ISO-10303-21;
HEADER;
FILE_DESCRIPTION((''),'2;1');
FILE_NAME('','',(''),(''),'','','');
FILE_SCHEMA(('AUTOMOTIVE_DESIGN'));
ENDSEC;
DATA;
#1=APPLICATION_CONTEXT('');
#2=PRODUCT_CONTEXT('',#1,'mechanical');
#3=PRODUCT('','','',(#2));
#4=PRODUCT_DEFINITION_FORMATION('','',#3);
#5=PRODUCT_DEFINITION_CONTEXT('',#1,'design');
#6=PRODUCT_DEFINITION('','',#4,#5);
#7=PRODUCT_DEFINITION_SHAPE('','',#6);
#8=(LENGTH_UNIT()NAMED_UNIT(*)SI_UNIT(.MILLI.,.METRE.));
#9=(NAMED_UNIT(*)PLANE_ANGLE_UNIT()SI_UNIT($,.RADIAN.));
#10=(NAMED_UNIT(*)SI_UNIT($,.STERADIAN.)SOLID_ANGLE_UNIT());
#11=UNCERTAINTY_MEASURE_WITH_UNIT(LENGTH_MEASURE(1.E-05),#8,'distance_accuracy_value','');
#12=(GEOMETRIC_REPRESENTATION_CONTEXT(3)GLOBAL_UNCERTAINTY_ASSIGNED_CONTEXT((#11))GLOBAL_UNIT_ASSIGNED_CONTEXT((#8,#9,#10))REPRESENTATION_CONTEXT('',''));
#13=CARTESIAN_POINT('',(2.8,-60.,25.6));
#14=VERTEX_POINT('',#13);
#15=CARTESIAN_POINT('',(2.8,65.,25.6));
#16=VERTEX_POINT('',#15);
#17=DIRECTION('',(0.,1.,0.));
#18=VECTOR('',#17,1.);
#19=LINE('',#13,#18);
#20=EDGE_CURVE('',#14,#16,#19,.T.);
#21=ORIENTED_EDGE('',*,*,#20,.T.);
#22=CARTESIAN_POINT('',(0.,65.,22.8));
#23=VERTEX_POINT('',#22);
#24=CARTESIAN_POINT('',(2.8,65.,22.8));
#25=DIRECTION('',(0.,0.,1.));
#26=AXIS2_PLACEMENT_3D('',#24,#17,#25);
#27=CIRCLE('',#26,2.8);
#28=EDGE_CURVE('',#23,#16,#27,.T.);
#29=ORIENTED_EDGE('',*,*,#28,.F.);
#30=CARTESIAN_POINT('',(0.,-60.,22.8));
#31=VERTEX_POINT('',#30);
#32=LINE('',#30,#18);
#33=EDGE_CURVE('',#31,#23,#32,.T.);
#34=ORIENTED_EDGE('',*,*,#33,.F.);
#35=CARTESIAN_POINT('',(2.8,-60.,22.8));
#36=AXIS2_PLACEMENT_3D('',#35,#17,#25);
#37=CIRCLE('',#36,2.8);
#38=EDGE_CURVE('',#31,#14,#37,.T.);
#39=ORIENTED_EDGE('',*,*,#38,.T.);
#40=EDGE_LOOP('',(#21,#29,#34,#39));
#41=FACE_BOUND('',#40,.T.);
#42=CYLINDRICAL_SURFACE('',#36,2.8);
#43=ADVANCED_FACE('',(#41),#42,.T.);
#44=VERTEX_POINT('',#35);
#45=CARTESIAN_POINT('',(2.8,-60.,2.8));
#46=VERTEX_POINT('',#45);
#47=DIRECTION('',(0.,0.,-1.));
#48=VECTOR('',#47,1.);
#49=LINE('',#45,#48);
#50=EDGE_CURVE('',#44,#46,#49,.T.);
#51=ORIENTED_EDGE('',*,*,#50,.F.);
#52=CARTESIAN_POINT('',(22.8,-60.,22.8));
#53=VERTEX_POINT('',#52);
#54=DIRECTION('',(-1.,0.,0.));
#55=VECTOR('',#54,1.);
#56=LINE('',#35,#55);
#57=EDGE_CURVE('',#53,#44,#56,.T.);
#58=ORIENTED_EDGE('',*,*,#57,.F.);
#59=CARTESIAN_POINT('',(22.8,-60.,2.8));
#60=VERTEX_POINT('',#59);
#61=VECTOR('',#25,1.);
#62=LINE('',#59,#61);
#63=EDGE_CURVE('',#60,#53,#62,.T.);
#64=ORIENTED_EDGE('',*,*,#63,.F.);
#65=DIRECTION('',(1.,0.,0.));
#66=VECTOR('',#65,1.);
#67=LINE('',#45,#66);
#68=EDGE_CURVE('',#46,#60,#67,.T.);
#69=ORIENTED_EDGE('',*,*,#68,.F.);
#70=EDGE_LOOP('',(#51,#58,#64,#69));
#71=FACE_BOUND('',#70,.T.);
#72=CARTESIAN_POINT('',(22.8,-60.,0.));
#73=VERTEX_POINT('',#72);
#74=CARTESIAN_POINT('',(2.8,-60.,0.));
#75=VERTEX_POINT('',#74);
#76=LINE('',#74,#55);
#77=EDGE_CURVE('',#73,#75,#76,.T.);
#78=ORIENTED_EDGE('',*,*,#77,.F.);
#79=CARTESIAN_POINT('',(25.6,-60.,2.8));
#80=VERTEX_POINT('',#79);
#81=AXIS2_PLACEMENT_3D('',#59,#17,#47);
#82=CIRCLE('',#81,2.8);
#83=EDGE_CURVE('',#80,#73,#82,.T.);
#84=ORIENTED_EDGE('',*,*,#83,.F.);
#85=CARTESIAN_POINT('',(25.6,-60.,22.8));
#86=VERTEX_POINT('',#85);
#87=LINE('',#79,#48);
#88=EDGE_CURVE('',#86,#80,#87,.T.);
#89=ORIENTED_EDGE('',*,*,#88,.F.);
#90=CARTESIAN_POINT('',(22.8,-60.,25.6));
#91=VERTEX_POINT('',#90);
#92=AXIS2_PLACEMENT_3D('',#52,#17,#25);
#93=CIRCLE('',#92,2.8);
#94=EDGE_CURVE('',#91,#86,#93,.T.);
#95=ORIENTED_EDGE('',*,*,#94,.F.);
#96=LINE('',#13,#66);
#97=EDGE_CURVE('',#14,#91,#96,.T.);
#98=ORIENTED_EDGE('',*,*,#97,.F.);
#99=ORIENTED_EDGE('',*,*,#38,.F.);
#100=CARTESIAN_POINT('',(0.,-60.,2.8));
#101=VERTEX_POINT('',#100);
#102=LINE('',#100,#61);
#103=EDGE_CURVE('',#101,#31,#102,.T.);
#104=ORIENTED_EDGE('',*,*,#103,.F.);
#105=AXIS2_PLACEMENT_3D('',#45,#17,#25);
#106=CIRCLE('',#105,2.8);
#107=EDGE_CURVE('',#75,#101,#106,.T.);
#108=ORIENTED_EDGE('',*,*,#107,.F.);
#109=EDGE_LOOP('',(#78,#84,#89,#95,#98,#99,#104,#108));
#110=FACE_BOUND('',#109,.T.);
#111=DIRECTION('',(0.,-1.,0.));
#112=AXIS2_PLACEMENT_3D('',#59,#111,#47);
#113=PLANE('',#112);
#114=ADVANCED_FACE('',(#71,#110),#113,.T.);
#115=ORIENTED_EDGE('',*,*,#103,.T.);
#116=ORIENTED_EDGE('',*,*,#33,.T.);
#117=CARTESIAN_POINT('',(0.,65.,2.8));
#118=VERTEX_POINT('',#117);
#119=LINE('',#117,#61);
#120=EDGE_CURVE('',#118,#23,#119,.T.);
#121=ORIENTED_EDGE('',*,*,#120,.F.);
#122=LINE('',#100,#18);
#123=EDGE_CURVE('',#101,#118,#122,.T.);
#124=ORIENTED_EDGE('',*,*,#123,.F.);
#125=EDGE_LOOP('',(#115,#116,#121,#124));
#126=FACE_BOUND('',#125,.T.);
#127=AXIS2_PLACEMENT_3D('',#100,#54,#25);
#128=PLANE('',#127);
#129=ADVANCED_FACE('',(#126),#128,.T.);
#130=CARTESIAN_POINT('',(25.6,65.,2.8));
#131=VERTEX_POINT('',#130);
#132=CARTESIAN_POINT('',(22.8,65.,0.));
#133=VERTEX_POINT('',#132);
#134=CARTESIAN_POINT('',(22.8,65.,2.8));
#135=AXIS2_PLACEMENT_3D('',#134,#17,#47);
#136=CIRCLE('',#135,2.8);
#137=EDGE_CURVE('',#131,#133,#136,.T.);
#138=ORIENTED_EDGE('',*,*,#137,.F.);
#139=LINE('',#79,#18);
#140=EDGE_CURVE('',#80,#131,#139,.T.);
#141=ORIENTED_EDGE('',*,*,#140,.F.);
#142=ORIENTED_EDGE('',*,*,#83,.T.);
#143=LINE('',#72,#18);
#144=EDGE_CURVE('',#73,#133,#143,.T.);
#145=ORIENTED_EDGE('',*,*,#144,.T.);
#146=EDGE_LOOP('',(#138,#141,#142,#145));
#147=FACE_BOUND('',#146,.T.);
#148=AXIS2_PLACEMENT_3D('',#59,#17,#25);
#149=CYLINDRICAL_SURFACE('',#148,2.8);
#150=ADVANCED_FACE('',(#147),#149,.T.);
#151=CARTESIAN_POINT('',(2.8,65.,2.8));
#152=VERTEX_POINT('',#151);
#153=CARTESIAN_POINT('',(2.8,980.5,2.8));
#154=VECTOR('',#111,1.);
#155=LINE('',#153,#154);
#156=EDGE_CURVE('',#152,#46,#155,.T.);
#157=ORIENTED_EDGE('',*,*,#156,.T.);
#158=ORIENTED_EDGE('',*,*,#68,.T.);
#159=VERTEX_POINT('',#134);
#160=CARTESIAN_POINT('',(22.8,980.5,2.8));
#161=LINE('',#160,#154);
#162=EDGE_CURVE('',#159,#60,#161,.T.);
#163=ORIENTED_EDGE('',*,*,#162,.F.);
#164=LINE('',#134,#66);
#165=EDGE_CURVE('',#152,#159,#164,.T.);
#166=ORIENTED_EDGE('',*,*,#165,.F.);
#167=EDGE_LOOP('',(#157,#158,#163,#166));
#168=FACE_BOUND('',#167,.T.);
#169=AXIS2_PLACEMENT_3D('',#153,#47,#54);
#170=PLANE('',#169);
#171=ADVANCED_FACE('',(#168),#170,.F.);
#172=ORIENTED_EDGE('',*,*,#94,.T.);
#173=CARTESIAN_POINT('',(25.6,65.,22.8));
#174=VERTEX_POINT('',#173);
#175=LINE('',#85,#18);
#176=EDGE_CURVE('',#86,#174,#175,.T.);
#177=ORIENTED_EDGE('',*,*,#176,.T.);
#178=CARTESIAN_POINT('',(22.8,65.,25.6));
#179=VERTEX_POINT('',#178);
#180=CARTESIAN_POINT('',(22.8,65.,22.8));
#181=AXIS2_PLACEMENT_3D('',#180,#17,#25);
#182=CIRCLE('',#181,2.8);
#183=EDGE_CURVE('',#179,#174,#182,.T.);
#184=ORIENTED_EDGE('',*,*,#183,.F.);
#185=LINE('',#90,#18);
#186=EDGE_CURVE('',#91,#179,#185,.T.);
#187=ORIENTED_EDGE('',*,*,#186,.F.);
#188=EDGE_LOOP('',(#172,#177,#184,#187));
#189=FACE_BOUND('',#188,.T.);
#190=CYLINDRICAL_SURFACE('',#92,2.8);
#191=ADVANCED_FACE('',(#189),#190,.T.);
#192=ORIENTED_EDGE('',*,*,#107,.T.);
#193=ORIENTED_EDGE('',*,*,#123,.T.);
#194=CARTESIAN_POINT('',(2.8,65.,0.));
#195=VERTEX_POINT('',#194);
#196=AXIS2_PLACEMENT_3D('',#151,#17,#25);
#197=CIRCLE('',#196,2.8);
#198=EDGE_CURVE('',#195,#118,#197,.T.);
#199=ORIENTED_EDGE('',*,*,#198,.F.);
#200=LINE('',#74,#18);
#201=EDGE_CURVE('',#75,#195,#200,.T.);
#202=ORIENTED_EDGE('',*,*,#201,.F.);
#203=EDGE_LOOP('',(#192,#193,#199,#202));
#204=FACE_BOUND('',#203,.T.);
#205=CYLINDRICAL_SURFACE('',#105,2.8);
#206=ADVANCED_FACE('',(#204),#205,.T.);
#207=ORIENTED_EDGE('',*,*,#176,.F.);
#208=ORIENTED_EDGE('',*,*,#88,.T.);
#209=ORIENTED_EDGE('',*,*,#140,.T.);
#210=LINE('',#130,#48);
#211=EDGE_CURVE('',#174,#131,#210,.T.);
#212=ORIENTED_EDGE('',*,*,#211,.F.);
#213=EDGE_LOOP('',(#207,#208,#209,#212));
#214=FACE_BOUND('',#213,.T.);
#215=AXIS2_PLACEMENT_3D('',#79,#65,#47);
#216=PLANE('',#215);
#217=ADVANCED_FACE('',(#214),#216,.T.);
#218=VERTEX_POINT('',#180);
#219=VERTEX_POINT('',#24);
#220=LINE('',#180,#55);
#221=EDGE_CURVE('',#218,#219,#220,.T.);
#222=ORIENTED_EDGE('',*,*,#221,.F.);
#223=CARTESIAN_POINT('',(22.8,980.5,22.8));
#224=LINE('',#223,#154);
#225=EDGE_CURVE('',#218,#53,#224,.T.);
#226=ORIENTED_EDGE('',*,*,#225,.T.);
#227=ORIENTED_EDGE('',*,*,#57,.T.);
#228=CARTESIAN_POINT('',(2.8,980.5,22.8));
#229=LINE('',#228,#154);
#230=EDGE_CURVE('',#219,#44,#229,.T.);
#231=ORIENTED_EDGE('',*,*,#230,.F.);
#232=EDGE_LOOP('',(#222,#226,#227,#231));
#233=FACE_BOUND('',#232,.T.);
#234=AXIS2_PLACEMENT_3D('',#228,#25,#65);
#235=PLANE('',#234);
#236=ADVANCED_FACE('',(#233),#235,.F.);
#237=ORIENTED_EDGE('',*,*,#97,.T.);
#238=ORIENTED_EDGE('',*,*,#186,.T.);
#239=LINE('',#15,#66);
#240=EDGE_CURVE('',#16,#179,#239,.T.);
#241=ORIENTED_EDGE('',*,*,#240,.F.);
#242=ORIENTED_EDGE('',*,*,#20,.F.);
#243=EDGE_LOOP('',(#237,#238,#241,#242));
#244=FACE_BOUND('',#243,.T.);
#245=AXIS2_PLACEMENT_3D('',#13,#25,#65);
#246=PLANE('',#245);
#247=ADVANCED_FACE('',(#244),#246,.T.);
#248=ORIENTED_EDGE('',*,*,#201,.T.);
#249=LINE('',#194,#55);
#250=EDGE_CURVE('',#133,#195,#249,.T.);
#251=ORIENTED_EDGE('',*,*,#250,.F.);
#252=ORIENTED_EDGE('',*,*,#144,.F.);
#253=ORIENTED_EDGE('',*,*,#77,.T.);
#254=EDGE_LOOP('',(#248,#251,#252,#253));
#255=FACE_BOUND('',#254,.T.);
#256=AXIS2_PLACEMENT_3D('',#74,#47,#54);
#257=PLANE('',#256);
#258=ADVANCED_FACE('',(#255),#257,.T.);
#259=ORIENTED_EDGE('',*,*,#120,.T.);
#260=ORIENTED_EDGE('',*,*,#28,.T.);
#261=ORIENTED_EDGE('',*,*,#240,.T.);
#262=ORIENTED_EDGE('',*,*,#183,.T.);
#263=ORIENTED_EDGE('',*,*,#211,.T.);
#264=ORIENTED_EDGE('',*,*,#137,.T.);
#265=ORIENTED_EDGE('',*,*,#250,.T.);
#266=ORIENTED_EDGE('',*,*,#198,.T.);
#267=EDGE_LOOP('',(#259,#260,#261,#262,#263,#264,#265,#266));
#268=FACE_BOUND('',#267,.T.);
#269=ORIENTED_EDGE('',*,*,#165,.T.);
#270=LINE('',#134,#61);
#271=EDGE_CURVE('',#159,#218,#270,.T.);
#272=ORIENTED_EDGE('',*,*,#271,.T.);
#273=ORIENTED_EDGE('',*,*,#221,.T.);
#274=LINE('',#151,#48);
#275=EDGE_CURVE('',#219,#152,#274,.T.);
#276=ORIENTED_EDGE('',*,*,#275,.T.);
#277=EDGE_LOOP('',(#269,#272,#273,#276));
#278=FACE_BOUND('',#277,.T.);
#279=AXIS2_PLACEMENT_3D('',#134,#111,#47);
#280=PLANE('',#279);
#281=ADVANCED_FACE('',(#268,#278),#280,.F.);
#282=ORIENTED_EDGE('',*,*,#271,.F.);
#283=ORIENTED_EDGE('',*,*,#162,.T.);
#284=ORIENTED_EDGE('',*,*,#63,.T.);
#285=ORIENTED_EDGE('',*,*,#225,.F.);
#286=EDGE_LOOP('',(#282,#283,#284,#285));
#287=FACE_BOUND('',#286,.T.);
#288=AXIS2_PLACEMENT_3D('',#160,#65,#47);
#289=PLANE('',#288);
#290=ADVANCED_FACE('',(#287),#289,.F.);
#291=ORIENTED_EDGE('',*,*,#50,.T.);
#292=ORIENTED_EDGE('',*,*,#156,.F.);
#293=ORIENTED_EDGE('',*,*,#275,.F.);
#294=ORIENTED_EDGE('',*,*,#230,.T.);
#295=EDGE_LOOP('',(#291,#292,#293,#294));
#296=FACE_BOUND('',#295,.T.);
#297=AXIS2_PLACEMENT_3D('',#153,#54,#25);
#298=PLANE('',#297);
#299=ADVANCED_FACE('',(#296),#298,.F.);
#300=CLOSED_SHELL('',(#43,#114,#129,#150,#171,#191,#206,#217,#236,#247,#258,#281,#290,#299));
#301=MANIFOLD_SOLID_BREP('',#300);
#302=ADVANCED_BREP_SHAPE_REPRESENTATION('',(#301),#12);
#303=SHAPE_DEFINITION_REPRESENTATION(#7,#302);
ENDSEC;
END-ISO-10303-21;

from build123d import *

# Parameters (mm, degrees)
BOSS_EXTRUDE1_DEPTH      = 65
BOSS_EXTRUDE1_DEPTH_BACK = 60
SKETCH3_W                = 20
SKETCH3_H                = 20
CUT_EXTRUDE1_DEPTH       = 1040.5


with BuildPart() as part:
    # Sketch1 → Boss-Extrude1 (new, two sides: drawn at the far end of the back side and taken through both)
    with BuildSketch(Plane(origin=(0, 0, 0), x_dir=(1, 0, 0), z_dir=(0, 1, 0)).offset(-BOSS_EXTRUDE1_DEPTH_BACK)):
        with BuildLine():
            Line((2.8, 0), (22.8, 0))
            ThreePointArc((22.8, 0), (24.779898987, -0.820101013), (25.6, -2.8))
            Line((25.6, -2.8), (25.6, -22.8))
            ThreePointArc((25.6, -22.8), (24.779898987, -24.779898987), (22.8, -25.6))
            Line((22.8, -25.6), (2.8, -25.6))
            ThreePointArc((2.8, -25.6), (0.820101013, -24.779898987), (0, -22.8))
            Line((0, -22.8), (0, -2.8))
            ThreePointArc((0, -2.8), (0.820101013, -0.820101013), (2.8, 0))
        make_face()
    extrude(amount=BOSS_EXTRUDE1_DEPTH + BOSS_EXTRUDE1_DEPTH_BACK)

    # Sketch3 → Cut-Extrude1 (cut)
    with BuildSketch(Plane(origin=(0, -60, 0), x_dir=(-1, 0, 0), z_dir=(0, -1, 0))):
        with Locations((-12.8, -12.8)):
            Rectangle(SKETCH3_W, SKETCH3_H)
    extrude(amount=-CUT_EXTRUDE1_DEPTH, mode=Mode.SUBTRACT)


solid = part.part
